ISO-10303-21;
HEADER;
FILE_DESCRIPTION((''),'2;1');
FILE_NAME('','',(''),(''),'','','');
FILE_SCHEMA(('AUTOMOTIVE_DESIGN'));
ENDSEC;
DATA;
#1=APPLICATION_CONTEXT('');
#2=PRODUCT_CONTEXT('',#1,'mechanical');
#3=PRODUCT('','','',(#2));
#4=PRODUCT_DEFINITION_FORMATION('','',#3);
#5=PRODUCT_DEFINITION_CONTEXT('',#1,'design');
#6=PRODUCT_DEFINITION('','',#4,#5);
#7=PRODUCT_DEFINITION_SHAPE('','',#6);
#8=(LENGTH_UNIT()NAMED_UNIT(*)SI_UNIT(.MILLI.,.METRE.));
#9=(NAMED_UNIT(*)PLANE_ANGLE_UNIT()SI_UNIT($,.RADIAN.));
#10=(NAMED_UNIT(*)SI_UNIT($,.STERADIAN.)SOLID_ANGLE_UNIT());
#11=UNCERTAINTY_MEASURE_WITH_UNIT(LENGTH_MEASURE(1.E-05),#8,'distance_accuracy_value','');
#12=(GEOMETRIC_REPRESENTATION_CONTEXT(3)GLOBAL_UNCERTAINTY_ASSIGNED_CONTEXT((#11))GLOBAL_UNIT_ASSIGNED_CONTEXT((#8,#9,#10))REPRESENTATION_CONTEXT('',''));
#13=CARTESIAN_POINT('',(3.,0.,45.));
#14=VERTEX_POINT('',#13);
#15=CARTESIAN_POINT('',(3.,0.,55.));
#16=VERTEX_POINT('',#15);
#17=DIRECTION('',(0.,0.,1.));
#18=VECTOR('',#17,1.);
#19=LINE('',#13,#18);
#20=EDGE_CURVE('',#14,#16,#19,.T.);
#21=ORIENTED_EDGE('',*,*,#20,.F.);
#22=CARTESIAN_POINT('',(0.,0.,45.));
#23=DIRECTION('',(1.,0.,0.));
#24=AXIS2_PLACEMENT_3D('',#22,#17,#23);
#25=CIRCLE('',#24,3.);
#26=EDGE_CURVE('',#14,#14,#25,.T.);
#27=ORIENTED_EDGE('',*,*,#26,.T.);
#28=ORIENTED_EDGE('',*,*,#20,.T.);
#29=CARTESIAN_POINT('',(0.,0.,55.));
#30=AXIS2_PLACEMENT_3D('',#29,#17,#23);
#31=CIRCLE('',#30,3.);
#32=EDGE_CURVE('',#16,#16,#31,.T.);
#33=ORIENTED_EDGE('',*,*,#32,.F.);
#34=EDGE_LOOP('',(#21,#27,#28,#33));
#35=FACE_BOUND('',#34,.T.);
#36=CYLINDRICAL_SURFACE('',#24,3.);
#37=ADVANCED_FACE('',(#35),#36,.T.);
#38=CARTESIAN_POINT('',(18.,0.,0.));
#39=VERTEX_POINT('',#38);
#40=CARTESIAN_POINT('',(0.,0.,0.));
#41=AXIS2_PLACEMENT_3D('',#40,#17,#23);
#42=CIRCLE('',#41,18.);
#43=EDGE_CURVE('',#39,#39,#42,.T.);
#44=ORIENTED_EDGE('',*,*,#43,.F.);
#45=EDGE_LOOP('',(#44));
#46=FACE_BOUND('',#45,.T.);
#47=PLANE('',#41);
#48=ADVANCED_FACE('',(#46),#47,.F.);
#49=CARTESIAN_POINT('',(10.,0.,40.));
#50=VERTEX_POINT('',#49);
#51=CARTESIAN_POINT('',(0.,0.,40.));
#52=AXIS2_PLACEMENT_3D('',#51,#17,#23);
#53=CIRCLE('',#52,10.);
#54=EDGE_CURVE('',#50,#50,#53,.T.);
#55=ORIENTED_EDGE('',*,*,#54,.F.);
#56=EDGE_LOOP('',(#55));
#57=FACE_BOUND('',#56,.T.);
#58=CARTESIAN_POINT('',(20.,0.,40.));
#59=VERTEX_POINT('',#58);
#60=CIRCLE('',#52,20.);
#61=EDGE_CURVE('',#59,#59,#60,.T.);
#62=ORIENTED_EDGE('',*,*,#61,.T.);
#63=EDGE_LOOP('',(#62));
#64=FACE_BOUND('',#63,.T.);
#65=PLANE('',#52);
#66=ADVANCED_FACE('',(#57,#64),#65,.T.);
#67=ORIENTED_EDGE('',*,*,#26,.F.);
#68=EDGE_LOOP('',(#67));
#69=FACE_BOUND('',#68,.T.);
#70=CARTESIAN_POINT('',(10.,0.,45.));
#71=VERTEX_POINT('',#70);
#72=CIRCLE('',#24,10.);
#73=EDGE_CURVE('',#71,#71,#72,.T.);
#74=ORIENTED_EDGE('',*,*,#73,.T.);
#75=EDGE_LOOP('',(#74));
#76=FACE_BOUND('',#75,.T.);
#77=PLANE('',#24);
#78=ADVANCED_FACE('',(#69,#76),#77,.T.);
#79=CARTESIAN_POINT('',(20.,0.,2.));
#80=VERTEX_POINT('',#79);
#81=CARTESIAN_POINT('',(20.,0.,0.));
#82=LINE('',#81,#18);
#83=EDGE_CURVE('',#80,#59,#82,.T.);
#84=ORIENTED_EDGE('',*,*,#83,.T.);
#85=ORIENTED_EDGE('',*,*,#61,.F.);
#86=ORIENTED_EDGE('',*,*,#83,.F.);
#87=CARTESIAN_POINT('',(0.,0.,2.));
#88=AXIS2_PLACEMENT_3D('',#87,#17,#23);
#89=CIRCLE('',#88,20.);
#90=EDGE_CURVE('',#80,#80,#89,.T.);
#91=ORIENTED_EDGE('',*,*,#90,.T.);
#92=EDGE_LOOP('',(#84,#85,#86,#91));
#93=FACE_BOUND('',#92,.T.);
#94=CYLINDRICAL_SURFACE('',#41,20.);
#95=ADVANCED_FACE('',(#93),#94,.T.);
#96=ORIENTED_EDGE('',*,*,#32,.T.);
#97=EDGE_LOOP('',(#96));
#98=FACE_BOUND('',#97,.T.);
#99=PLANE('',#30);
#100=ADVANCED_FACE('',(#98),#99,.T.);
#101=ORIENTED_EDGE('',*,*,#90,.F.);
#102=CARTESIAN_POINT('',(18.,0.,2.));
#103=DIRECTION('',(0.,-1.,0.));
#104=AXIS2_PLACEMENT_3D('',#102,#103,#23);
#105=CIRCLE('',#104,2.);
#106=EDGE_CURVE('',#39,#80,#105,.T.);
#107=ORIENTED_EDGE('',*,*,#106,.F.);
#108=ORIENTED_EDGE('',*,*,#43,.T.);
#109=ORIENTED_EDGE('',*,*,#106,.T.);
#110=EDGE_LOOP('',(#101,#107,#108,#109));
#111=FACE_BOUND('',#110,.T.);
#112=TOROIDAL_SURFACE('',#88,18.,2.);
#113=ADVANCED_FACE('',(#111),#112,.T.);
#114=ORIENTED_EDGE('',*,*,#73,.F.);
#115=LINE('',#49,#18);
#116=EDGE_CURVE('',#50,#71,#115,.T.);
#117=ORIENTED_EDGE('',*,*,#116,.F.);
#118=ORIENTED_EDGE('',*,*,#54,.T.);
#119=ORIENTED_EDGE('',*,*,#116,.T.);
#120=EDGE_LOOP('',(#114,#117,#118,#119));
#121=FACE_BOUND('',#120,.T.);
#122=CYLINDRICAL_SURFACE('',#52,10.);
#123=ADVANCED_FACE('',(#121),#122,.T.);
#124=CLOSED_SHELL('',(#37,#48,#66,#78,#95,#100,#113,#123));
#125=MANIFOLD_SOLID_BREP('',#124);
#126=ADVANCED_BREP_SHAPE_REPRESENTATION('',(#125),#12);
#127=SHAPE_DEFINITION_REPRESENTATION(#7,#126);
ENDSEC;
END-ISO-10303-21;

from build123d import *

# Parameters (mm, degrees)
FILLET_R = 2


with BuildPart() as part:
    # Sketch → Revolution (revolve)
    with BuildSketch(Plane.XZ):
        Polygon((0, 0), (20, 0), (20, 40), (10, 40), (10, 45), (3, 45), (3, 55), (0, 55), align=None)
    revolve(axis=Axis((0, 0, 0), (0, 0, 1)))

    # Fillet
    fillet_edges = [part.edges().sort_by_distance(p)[0] for p in [
        (-20, 0, 0),
    ]]
    fillet(fillet_edges, radius=FILLET_R)


solid = part.part
